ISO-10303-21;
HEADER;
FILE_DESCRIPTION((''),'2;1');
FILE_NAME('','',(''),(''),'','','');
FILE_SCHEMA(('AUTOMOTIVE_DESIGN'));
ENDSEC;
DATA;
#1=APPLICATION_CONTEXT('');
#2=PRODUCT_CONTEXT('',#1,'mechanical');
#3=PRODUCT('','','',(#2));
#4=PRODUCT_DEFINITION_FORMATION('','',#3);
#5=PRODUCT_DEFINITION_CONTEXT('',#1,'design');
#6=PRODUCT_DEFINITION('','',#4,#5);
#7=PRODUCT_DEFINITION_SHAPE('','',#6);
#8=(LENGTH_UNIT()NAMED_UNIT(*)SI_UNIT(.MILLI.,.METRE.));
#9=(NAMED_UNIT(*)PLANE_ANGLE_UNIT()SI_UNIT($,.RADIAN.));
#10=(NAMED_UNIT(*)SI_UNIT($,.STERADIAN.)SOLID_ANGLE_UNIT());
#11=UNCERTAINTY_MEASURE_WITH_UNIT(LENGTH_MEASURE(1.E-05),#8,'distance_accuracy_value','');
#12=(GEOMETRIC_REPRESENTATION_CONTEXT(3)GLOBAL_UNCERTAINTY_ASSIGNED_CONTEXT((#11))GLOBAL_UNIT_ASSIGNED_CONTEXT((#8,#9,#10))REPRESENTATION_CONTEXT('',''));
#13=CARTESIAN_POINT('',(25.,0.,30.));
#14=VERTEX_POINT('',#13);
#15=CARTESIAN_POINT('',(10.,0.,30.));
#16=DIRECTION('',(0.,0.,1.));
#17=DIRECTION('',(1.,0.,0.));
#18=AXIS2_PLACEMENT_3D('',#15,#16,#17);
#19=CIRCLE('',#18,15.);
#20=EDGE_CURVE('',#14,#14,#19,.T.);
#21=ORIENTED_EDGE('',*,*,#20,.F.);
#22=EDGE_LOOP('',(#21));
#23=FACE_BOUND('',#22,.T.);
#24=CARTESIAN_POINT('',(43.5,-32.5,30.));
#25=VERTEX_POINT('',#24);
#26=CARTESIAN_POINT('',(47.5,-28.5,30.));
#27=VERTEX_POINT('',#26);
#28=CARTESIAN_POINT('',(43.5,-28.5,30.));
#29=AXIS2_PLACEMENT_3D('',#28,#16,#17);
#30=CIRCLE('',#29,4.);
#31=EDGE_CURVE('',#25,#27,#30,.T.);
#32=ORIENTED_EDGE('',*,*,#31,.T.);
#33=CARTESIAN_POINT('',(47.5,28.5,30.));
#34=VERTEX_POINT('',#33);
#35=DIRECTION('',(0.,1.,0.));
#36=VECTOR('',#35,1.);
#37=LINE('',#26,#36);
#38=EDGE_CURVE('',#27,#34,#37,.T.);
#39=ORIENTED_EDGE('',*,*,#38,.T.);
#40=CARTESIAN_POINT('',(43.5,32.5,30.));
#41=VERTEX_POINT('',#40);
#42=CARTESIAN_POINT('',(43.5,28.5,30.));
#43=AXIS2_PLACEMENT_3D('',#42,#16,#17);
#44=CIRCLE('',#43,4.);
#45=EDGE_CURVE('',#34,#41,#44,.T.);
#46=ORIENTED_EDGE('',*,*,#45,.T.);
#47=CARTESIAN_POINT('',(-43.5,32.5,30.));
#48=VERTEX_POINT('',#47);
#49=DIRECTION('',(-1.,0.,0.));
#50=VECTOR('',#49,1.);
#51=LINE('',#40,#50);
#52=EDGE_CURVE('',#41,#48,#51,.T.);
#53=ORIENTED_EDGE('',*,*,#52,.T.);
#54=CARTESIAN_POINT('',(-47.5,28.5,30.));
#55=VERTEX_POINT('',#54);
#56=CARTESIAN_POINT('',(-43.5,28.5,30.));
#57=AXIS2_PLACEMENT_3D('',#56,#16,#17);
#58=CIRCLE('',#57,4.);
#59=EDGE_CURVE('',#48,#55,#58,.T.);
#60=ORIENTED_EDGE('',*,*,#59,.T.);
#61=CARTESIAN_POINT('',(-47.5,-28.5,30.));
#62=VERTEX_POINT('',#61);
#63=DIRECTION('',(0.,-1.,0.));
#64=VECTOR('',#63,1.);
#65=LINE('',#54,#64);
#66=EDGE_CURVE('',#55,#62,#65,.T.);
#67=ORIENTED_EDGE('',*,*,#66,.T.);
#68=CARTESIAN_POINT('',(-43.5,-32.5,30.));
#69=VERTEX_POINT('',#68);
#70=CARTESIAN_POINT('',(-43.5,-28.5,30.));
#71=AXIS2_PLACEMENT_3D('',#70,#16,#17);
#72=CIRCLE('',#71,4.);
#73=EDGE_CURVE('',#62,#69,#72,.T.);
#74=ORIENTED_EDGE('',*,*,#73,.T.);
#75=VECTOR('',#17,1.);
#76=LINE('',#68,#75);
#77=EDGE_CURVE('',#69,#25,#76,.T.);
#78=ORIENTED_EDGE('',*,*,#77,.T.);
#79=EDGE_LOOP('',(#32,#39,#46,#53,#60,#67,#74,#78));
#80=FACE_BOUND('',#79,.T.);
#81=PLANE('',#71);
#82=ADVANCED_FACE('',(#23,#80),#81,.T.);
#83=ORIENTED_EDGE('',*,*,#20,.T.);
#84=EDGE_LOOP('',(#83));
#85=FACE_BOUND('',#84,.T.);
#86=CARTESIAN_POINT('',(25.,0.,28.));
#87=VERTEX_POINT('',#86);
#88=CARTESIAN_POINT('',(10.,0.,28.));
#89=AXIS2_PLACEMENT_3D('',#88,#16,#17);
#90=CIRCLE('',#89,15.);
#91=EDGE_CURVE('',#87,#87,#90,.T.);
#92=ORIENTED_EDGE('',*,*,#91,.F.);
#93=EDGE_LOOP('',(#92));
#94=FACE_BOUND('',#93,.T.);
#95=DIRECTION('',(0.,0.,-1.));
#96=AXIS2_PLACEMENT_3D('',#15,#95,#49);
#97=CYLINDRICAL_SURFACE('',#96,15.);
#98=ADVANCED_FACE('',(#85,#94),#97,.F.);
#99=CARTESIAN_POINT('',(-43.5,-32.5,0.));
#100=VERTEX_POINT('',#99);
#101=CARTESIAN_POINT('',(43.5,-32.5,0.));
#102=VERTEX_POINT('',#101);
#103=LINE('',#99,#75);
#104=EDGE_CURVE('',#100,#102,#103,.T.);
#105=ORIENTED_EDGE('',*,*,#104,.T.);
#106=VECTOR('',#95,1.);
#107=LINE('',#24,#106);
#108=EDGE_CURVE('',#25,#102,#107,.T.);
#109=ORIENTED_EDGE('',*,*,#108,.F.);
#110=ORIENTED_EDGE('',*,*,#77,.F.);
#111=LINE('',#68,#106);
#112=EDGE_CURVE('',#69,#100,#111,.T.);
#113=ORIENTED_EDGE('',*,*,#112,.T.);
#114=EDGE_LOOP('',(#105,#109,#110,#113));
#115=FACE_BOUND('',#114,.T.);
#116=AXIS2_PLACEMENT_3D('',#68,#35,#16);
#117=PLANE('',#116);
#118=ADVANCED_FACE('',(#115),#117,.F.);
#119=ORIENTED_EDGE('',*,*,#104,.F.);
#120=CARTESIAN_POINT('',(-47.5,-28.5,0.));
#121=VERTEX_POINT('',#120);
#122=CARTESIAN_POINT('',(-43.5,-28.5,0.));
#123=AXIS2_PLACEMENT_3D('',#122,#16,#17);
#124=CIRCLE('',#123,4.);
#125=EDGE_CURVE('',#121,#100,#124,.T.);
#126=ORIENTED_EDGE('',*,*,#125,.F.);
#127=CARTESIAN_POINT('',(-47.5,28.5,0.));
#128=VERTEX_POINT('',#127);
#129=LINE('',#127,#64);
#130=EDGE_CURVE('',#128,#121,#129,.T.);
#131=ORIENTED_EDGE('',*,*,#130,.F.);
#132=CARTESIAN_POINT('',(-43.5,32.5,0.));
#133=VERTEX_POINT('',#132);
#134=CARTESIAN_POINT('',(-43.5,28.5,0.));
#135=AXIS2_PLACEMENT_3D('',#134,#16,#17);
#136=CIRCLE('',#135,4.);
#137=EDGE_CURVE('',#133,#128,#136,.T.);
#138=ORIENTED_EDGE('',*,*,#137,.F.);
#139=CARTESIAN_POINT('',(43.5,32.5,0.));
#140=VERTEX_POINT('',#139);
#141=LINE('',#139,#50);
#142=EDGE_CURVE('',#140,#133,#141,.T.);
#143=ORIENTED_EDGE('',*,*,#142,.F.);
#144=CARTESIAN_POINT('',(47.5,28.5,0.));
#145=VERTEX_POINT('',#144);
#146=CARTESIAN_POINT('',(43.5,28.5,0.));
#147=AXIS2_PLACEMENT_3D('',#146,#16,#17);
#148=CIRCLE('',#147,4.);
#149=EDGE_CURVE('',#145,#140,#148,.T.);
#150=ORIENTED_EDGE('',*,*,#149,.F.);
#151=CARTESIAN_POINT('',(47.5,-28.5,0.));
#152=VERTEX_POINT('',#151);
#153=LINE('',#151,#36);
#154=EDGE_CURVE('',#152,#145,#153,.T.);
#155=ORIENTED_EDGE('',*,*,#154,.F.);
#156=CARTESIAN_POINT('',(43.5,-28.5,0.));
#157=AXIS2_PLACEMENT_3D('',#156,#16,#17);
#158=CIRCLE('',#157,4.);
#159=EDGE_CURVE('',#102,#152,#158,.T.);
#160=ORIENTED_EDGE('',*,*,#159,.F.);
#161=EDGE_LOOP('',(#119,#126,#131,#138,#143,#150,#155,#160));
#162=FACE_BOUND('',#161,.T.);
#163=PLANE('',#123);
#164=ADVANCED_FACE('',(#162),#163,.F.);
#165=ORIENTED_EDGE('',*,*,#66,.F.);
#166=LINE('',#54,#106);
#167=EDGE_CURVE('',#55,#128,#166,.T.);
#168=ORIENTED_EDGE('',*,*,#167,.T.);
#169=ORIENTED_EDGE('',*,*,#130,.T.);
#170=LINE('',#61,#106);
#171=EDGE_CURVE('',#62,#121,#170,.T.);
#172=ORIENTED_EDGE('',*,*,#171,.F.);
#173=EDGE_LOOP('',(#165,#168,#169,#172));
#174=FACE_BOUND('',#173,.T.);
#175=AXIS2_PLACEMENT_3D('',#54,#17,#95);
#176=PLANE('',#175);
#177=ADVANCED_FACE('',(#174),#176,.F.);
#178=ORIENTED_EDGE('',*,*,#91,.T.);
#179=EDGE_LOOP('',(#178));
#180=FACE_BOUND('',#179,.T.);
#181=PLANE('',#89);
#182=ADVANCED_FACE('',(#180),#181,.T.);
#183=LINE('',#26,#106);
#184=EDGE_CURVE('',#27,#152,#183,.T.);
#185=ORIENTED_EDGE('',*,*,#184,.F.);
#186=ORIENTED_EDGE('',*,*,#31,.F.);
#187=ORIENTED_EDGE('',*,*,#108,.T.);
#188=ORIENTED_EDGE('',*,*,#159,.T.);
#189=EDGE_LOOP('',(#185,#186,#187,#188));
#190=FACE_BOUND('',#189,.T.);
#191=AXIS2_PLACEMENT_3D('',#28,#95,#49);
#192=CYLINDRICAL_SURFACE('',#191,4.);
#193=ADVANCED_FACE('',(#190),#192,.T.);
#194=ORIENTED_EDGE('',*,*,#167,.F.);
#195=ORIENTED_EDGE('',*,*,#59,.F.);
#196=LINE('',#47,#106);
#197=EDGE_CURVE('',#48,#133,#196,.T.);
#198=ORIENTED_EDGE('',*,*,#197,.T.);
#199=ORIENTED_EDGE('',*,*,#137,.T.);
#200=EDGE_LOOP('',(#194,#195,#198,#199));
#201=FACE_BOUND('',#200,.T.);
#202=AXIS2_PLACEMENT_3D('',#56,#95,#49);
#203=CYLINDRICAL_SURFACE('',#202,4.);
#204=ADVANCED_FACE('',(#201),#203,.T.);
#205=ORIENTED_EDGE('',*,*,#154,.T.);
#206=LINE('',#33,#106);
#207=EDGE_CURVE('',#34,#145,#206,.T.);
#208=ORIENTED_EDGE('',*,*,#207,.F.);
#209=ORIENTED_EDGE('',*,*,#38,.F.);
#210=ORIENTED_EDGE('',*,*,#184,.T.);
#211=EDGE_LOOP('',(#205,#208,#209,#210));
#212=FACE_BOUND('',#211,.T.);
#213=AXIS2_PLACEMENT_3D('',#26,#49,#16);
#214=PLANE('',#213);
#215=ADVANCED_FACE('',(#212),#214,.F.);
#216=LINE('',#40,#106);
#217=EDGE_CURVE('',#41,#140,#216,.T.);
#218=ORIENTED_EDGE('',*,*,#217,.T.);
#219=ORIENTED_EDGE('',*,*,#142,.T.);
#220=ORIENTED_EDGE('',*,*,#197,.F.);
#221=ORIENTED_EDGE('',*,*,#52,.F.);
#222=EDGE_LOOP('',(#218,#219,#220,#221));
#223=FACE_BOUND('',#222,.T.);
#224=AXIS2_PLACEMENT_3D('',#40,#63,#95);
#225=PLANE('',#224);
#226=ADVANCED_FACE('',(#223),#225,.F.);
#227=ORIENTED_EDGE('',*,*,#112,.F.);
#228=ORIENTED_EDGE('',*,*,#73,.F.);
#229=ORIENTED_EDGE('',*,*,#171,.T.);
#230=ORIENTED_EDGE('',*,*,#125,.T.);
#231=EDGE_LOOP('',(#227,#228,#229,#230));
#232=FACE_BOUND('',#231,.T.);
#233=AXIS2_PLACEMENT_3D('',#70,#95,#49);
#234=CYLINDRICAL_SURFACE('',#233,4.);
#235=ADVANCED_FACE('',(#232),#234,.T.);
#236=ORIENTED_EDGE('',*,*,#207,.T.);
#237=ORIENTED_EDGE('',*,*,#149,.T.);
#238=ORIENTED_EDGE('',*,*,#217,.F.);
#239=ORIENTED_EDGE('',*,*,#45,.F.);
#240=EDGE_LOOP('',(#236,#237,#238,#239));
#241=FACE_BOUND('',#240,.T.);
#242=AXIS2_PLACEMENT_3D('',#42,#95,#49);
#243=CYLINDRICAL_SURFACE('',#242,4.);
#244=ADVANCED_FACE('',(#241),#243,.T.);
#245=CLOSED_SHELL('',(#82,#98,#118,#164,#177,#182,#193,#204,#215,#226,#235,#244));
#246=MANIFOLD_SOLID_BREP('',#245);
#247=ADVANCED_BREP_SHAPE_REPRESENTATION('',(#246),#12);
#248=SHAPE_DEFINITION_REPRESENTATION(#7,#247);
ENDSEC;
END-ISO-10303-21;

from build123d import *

# Parameters (mm, degrees)
ENVOLVENTE_95X65X30_DEPTH = 30
VENTILADOR_START          = 28
CROQUIS2_R                = 15
VENTILADOR_DEPTH          = 2


with BuildPart() as part:
    # Croquis1 → Envolvente_95x65x30 (new body)
    with BuildSketch(Plane.XY):
        with BuildLine():
            Line((-43.5, -32.5), (43.5, -32.5))
            ThreePointArc((43.5, -32.5), (46.328427125, -31.328427125), (47.5, -28.5))
            Line((47.5, -28.5), (47.5, 28.5))
            ThreePointArc((47.5, 28.5), (46.328427125, 31.328427125), (43.5, 32.5))
            Line((43.5, 32.5), (-43.5, 32.5))
            ThreePointArc((-43.5, 32.5), (-46.328427125, 31.328427125), (-47.5, 28.5))
            Line((-47.5, 28.5), (-47.5, -28.5))
            ThreePointArc((-47.5, -28.5), (-46.328427125, -31.328427125), (-43.5, -32.5))
        make_face()
    extrude(amount=ENVOLVENTE_95X65X30_DEPTH)

    # Croquis2 → Ventilador (cut)
    with BuildSketch(Plane.XY.offset(VENTILADOR_START)):
        with Locations((10, 0)):
            Circle(CROQUIS2_R)
    extrude(amount=VENTILADOR_DEPTH, mode=Mode.SUBTRACT)


solid = part.part
